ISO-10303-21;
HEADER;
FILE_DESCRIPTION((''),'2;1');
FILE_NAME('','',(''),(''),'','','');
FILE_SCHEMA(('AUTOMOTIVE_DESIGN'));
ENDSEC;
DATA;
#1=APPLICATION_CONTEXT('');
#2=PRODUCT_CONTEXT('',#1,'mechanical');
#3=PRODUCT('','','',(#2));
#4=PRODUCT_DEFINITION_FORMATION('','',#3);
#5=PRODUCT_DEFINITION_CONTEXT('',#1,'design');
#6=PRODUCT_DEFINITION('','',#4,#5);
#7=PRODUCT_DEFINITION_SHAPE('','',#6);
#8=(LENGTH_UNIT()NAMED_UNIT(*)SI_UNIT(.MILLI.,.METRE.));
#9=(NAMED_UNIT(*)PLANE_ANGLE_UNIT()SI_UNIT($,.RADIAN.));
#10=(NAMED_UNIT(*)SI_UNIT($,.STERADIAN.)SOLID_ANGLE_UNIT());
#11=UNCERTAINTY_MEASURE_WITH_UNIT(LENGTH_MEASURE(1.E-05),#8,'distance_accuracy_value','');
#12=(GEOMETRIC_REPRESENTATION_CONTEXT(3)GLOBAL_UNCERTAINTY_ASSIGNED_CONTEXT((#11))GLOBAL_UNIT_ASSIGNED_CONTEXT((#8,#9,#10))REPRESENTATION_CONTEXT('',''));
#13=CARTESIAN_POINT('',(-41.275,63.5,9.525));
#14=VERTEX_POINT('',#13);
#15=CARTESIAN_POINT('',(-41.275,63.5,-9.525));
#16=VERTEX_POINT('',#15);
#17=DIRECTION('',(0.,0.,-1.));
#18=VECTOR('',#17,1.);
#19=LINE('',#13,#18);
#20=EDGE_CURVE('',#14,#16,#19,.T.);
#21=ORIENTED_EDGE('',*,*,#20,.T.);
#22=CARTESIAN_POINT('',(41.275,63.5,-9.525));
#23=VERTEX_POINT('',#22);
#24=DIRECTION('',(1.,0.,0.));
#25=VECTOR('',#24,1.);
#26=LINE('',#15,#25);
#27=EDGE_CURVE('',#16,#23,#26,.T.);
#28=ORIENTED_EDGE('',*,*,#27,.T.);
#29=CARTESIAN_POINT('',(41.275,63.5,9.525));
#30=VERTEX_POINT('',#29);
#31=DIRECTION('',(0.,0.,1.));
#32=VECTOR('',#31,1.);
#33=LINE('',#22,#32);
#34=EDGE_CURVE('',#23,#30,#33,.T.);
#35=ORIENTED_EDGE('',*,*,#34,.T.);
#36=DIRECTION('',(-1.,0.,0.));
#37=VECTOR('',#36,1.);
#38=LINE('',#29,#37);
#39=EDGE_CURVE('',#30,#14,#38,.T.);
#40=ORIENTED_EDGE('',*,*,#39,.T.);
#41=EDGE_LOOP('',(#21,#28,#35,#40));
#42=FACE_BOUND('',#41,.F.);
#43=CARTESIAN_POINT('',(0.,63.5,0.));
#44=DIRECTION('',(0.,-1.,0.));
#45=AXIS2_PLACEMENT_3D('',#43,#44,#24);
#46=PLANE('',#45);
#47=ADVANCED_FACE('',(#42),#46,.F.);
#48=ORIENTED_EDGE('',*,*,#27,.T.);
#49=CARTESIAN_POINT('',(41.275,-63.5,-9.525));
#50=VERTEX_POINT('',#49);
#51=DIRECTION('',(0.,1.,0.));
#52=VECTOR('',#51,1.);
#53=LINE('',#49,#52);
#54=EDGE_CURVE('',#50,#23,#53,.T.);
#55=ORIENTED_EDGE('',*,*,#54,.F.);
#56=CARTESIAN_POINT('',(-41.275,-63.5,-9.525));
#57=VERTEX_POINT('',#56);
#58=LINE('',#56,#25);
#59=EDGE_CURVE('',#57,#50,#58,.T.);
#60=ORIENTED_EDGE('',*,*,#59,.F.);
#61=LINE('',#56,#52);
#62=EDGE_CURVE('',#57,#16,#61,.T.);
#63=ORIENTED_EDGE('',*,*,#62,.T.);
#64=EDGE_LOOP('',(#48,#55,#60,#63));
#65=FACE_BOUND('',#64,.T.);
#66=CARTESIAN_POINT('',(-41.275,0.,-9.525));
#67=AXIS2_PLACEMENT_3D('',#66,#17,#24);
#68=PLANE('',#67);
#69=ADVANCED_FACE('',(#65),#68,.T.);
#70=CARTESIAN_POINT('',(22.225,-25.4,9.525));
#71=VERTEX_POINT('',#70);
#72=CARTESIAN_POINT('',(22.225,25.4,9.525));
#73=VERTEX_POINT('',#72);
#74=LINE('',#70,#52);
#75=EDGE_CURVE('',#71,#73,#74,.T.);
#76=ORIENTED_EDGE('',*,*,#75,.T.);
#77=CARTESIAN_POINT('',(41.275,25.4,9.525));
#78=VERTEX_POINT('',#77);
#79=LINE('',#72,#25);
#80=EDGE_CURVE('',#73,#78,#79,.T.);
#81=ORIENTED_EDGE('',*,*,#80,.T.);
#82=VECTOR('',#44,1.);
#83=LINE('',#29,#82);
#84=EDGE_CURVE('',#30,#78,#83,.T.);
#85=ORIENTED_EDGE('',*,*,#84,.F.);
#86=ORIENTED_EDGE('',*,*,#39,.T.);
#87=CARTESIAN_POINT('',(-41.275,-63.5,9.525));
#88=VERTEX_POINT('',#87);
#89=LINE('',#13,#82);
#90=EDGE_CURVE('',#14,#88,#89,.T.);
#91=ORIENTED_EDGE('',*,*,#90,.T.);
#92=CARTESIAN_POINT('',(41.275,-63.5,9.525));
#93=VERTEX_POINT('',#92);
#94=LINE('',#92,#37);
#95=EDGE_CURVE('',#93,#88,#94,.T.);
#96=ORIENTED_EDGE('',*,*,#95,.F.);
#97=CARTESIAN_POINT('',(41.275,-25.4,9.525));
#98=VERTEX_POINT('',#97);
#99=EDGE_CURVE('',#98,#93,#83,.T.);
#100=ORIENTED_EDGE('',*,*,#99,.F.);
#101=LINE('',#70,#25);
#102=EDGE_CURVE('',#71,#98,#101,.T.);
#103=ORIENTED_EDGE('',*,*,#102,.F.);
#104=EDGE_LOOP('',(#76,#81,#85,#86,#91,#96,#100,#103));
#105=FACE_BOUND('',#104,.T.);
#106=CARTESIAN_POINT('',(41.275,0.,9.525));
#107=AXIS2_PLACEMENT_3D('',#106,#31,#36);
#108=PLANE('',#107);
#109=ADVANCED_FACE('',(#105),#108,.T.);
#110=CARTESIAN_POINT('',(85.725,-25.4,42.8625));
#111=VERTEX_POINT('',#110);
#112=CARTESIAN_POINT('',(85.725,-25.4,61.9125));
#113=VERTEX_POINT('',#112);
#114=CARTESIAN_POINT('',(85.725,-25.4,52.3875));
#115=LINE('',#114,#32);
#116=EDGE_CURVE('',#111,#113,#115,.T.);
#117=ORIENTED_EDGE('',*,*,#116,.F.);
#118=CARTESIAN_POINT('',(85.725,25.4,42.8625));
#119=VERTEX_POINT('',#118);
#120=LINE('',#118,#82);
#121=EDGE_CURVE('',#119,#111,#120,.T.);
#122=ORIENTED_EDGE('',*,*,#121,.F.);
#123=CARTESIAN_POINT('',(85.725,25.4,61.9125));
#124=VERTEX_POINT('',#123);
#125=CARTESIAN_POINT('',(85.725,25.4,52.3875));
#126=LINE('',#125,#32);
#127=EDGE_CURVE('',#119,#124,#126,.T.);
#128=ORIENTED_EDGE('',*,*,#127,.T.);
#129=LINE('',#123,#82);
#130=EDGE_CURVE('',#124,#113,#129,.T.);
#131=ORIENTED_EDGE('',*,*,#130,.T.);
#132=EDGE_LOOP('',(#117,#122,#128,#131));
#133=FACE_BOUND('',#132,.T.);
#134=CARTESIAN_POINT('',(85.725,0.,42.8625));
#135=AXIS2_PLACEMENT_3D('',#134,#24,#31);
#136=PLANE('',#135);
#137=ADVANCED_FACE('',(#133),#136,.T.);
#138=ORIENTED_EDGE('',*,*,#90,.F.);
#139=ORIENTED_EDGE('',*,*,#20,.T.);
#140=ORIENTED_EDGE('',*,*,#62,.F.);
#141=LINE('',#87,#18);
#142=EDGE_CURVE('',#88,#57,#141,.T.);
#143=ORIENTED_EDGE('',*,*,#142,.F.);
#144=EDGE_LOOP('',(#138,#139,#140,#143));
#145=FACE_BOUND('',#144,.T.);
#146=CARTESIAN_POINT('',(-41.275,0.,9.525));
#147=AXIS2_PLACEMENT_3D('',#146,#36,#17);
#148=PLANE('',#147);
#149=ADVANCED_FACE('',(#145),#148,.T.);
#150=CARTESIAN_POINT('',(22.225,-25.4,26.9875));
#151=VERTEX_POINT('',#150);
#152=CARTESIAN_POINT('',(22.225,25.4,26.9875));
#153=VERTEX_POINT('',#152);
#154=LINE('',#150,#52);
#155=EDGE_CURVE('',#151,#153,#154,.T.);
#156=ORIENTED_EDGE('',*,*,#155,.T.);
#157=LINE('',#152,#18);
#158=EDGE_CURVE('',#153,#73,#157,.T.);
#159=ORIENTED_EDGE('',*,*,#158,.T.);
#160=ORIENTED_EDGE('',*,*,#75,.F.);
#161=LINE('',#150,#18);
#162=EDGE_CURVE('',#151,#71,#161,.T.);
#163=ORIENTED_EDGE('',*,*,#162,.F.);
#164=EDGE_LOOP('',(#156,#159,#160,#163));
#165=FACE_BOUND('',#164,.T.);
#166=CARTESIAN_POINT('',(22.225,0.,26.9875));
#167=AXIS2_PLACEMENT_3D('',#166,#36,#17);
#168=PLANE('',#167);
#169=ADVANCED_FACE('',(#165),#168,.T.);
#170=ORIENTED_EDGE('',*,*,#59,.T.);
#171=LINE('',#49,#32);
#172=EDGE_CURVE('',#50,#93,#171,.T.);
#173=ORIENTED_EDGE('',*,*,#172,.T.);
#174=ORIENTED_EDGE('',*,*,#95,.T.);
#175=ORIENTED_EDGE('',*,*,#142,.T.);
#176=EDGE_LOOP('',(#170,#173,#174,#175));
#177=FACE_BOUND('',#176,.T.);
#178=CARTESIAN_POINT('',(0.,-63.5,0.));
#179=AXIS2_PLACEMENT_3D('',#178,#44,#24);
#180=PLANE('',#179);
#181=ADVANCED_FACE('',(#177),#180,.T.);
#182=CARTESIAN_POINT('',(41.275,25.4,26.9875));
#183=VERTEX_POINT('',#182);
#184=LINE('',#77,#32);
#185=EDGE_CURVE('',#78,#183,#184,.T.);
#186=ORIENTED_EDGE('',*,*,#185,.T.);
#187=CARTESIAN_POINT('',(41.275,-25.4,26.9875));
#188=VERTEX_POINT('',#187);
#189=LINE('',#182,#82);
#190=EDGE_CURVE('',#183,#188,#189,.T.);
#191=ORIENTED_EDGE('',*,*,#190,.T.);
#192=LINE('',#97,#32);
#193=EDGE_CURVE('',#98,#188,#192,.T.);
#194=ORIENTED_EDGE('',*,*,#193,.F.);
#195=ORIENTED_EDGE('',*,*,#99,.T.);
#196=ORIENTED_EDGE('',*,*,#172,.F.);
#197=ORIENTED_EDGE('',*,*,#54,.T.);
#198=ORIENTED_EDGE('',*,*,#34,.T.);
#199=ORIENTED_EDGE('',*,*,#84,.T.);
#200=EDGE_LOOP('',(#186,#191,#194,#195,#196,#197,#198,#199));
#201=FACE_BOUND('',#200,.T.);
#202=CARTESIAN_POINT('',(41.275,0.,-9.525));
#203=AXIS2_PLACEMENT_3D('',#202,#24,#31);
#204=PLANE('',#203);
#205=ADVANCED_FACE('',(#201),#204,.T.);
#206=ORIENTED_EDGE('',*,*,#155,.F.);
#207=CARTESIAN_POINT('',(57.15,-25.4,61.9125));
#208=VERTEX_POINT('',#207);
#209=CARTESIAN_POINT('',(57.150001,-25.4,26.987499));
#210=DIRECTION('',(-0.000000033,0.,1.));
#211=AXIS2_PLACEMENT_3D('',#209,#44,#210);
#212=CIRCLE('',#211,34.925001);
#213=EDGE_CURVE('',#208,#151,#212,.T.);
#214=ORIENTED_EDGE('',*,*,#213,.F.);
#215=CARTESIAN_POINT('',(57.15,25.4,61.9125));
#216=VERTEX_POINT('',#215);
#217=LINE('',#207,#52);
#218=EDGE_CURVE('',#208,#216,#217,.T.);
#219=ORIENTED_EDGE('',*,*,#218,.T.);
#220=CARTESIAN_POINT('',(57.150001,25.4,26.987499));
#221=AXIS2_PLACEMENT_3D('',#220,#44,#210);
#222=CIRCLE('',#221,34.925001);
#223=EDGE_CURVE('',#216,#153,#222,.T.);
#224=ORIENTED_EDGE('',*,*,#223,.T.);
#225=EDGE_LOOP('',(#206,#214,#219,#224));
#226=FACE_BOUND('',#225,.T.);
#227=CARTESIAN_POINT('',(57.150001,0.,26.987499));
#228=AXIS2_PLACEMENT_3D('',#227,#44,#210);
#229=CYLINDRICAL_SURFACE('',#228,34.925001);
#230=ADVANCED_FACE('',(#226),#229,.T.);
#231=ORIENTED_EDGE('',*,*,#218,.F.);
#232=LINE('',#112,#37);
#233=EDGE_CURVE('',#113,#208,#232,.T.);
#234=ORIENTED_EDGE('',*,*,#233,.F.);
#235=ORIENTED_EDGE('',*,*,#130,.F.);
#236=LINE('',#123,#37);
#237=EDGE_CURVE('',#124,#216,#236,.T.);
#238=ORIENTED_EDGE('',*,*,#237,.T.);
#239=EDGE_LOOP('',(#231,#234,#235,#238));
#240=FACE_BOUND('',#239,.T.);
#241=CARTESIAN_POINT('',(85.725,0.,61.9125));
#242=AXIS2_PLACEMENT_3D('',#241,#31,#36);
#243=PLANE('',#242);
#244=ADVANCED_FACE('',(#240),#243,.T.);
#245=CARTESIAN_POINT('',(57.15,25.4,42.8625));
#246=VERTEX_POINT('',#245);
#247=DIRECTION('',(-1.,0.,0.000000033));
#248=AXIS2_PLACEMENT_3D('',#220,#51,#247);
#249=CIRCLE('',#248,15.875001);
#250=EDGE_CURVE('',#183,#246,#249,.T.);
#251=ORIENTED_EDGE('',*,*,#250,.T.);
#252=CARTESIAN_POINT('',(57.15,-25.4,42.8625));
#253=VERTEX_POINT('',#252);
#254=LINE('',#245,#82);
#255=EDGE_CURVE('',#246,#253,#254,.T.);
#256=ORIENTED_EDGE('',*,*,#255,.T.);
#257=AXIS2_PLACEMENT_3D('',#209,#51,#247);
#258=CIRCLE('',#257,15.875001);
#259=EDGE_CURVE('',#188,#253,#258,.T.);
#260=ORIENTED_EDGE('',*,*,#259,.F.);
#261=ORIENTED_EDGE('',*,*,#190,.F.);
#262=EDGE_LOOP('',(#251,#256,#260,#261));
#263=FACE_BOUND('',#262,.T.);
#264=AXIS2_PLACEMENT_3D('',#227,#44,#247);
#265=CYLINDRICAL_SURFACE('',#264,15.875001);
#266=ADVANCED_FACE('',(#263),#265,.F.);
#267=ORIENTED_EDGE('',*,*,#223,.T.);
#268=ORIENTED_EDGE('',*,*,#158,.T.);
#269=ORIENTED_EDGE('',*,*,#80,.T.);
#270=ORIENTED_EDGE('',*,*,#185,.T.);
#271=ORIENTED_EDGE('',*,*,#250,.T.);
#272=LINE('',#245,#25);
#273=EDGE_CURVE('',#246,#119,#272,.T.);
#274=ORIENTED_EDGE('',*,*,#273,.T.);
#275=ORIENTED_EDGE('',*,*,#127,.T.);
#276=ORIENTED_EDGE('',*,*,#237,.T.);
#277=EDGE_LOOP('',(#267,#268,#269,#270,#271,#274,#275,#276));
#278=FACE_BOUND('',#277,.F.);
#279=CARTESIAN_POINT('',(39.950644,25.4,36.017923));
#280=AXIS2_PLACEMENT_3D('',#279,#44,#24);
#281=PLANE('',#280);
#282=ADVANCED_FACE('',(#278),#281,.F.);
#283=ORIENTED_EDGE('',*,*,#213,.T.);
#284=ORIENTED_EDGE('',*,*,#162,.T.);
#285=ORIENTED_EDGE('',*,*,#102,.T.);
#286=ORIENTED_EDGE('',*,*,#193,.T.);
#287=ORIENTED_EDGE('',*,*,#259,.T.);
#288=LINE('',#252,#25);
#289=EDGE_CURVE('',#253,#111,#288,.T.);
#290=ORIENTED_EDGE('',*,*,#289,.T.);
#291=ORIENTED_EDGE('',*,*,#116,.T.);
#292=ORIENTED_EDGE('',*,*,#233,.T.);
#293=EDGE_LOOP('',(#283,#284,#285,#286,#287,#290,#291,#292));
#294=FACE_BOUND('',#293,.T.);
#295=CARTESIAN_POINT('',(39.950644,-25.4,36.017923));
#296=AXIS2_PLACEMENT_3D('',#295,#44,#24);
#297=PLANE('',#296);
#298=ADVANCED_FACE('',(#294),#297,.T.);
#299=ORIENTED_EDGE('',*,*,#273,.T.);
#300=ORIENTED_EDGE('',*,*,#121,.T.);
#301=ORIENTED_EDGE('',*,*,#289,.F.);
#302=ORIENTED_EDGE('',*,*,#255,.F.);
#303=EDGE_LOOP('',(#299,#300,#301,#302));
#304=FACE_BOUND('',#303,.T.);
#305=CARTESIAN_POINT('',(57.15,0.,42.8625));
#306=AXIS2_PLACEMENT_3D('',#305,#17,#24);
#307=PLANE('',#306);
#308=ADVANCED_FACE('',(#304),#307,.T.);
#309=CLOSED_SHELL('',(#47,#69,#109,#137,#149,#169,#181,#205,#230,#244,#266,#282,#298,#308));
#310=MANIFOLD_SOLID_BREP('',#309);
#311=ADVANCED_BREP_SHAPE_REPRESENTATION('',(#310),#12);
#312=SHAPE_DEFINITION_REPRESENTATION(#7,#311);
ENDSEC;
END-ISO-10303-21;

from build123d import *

# Parameters (mm, degrees)
F1_DEPTH = 63.5
F0_W     = 25.4
F0_H     = 19.05
F2_DEPTH = 25.4


with BuildPart() as f1:
    # F0 (on Front) → F1 (new body, symmetric)
    with BuildSketch(Plane.XZ):
        Polygon((41.275, -9.525), (41.275, 9.525), (22.225, 9.525), (-41.275, 9.525), (-41.275, -9.525), align=None)
    extrude(amount=F1_DEPTH, both=True)

    # F0 (on Front) → F2 (join, symmetric)
    with BuildSketch(Plane.XZ):
        with BuildLine():
            Line((22.225, 9.525), (41.275, 9.525))
            Line((41.275, 9.525), (41.275, 26.9875))
            ThreePointArc((41.275, 26.9875), (45.92468, 38.21282), (57.15, 42.8625))
            Line((57.15, 42.8625), (60.325, 42.8625))
            Line((60.325, 42.8625), (60.325, 61.9125))
            Line((60.325, 61.9125), (57.15, 61.9125))
            ThreePointArc((57.15, 61.9125), (32.454296, 51.683204), (22.225, 26.9875))
            Line((22.225, 26.9875), (22.225, 9.525))
        make_face()
        with Locations((73.025, 52.3875)):
            Rectangle(F0_W, F0_H)
    extrude(amount=F2_DEPTH, both=True)


solid = f1.part
